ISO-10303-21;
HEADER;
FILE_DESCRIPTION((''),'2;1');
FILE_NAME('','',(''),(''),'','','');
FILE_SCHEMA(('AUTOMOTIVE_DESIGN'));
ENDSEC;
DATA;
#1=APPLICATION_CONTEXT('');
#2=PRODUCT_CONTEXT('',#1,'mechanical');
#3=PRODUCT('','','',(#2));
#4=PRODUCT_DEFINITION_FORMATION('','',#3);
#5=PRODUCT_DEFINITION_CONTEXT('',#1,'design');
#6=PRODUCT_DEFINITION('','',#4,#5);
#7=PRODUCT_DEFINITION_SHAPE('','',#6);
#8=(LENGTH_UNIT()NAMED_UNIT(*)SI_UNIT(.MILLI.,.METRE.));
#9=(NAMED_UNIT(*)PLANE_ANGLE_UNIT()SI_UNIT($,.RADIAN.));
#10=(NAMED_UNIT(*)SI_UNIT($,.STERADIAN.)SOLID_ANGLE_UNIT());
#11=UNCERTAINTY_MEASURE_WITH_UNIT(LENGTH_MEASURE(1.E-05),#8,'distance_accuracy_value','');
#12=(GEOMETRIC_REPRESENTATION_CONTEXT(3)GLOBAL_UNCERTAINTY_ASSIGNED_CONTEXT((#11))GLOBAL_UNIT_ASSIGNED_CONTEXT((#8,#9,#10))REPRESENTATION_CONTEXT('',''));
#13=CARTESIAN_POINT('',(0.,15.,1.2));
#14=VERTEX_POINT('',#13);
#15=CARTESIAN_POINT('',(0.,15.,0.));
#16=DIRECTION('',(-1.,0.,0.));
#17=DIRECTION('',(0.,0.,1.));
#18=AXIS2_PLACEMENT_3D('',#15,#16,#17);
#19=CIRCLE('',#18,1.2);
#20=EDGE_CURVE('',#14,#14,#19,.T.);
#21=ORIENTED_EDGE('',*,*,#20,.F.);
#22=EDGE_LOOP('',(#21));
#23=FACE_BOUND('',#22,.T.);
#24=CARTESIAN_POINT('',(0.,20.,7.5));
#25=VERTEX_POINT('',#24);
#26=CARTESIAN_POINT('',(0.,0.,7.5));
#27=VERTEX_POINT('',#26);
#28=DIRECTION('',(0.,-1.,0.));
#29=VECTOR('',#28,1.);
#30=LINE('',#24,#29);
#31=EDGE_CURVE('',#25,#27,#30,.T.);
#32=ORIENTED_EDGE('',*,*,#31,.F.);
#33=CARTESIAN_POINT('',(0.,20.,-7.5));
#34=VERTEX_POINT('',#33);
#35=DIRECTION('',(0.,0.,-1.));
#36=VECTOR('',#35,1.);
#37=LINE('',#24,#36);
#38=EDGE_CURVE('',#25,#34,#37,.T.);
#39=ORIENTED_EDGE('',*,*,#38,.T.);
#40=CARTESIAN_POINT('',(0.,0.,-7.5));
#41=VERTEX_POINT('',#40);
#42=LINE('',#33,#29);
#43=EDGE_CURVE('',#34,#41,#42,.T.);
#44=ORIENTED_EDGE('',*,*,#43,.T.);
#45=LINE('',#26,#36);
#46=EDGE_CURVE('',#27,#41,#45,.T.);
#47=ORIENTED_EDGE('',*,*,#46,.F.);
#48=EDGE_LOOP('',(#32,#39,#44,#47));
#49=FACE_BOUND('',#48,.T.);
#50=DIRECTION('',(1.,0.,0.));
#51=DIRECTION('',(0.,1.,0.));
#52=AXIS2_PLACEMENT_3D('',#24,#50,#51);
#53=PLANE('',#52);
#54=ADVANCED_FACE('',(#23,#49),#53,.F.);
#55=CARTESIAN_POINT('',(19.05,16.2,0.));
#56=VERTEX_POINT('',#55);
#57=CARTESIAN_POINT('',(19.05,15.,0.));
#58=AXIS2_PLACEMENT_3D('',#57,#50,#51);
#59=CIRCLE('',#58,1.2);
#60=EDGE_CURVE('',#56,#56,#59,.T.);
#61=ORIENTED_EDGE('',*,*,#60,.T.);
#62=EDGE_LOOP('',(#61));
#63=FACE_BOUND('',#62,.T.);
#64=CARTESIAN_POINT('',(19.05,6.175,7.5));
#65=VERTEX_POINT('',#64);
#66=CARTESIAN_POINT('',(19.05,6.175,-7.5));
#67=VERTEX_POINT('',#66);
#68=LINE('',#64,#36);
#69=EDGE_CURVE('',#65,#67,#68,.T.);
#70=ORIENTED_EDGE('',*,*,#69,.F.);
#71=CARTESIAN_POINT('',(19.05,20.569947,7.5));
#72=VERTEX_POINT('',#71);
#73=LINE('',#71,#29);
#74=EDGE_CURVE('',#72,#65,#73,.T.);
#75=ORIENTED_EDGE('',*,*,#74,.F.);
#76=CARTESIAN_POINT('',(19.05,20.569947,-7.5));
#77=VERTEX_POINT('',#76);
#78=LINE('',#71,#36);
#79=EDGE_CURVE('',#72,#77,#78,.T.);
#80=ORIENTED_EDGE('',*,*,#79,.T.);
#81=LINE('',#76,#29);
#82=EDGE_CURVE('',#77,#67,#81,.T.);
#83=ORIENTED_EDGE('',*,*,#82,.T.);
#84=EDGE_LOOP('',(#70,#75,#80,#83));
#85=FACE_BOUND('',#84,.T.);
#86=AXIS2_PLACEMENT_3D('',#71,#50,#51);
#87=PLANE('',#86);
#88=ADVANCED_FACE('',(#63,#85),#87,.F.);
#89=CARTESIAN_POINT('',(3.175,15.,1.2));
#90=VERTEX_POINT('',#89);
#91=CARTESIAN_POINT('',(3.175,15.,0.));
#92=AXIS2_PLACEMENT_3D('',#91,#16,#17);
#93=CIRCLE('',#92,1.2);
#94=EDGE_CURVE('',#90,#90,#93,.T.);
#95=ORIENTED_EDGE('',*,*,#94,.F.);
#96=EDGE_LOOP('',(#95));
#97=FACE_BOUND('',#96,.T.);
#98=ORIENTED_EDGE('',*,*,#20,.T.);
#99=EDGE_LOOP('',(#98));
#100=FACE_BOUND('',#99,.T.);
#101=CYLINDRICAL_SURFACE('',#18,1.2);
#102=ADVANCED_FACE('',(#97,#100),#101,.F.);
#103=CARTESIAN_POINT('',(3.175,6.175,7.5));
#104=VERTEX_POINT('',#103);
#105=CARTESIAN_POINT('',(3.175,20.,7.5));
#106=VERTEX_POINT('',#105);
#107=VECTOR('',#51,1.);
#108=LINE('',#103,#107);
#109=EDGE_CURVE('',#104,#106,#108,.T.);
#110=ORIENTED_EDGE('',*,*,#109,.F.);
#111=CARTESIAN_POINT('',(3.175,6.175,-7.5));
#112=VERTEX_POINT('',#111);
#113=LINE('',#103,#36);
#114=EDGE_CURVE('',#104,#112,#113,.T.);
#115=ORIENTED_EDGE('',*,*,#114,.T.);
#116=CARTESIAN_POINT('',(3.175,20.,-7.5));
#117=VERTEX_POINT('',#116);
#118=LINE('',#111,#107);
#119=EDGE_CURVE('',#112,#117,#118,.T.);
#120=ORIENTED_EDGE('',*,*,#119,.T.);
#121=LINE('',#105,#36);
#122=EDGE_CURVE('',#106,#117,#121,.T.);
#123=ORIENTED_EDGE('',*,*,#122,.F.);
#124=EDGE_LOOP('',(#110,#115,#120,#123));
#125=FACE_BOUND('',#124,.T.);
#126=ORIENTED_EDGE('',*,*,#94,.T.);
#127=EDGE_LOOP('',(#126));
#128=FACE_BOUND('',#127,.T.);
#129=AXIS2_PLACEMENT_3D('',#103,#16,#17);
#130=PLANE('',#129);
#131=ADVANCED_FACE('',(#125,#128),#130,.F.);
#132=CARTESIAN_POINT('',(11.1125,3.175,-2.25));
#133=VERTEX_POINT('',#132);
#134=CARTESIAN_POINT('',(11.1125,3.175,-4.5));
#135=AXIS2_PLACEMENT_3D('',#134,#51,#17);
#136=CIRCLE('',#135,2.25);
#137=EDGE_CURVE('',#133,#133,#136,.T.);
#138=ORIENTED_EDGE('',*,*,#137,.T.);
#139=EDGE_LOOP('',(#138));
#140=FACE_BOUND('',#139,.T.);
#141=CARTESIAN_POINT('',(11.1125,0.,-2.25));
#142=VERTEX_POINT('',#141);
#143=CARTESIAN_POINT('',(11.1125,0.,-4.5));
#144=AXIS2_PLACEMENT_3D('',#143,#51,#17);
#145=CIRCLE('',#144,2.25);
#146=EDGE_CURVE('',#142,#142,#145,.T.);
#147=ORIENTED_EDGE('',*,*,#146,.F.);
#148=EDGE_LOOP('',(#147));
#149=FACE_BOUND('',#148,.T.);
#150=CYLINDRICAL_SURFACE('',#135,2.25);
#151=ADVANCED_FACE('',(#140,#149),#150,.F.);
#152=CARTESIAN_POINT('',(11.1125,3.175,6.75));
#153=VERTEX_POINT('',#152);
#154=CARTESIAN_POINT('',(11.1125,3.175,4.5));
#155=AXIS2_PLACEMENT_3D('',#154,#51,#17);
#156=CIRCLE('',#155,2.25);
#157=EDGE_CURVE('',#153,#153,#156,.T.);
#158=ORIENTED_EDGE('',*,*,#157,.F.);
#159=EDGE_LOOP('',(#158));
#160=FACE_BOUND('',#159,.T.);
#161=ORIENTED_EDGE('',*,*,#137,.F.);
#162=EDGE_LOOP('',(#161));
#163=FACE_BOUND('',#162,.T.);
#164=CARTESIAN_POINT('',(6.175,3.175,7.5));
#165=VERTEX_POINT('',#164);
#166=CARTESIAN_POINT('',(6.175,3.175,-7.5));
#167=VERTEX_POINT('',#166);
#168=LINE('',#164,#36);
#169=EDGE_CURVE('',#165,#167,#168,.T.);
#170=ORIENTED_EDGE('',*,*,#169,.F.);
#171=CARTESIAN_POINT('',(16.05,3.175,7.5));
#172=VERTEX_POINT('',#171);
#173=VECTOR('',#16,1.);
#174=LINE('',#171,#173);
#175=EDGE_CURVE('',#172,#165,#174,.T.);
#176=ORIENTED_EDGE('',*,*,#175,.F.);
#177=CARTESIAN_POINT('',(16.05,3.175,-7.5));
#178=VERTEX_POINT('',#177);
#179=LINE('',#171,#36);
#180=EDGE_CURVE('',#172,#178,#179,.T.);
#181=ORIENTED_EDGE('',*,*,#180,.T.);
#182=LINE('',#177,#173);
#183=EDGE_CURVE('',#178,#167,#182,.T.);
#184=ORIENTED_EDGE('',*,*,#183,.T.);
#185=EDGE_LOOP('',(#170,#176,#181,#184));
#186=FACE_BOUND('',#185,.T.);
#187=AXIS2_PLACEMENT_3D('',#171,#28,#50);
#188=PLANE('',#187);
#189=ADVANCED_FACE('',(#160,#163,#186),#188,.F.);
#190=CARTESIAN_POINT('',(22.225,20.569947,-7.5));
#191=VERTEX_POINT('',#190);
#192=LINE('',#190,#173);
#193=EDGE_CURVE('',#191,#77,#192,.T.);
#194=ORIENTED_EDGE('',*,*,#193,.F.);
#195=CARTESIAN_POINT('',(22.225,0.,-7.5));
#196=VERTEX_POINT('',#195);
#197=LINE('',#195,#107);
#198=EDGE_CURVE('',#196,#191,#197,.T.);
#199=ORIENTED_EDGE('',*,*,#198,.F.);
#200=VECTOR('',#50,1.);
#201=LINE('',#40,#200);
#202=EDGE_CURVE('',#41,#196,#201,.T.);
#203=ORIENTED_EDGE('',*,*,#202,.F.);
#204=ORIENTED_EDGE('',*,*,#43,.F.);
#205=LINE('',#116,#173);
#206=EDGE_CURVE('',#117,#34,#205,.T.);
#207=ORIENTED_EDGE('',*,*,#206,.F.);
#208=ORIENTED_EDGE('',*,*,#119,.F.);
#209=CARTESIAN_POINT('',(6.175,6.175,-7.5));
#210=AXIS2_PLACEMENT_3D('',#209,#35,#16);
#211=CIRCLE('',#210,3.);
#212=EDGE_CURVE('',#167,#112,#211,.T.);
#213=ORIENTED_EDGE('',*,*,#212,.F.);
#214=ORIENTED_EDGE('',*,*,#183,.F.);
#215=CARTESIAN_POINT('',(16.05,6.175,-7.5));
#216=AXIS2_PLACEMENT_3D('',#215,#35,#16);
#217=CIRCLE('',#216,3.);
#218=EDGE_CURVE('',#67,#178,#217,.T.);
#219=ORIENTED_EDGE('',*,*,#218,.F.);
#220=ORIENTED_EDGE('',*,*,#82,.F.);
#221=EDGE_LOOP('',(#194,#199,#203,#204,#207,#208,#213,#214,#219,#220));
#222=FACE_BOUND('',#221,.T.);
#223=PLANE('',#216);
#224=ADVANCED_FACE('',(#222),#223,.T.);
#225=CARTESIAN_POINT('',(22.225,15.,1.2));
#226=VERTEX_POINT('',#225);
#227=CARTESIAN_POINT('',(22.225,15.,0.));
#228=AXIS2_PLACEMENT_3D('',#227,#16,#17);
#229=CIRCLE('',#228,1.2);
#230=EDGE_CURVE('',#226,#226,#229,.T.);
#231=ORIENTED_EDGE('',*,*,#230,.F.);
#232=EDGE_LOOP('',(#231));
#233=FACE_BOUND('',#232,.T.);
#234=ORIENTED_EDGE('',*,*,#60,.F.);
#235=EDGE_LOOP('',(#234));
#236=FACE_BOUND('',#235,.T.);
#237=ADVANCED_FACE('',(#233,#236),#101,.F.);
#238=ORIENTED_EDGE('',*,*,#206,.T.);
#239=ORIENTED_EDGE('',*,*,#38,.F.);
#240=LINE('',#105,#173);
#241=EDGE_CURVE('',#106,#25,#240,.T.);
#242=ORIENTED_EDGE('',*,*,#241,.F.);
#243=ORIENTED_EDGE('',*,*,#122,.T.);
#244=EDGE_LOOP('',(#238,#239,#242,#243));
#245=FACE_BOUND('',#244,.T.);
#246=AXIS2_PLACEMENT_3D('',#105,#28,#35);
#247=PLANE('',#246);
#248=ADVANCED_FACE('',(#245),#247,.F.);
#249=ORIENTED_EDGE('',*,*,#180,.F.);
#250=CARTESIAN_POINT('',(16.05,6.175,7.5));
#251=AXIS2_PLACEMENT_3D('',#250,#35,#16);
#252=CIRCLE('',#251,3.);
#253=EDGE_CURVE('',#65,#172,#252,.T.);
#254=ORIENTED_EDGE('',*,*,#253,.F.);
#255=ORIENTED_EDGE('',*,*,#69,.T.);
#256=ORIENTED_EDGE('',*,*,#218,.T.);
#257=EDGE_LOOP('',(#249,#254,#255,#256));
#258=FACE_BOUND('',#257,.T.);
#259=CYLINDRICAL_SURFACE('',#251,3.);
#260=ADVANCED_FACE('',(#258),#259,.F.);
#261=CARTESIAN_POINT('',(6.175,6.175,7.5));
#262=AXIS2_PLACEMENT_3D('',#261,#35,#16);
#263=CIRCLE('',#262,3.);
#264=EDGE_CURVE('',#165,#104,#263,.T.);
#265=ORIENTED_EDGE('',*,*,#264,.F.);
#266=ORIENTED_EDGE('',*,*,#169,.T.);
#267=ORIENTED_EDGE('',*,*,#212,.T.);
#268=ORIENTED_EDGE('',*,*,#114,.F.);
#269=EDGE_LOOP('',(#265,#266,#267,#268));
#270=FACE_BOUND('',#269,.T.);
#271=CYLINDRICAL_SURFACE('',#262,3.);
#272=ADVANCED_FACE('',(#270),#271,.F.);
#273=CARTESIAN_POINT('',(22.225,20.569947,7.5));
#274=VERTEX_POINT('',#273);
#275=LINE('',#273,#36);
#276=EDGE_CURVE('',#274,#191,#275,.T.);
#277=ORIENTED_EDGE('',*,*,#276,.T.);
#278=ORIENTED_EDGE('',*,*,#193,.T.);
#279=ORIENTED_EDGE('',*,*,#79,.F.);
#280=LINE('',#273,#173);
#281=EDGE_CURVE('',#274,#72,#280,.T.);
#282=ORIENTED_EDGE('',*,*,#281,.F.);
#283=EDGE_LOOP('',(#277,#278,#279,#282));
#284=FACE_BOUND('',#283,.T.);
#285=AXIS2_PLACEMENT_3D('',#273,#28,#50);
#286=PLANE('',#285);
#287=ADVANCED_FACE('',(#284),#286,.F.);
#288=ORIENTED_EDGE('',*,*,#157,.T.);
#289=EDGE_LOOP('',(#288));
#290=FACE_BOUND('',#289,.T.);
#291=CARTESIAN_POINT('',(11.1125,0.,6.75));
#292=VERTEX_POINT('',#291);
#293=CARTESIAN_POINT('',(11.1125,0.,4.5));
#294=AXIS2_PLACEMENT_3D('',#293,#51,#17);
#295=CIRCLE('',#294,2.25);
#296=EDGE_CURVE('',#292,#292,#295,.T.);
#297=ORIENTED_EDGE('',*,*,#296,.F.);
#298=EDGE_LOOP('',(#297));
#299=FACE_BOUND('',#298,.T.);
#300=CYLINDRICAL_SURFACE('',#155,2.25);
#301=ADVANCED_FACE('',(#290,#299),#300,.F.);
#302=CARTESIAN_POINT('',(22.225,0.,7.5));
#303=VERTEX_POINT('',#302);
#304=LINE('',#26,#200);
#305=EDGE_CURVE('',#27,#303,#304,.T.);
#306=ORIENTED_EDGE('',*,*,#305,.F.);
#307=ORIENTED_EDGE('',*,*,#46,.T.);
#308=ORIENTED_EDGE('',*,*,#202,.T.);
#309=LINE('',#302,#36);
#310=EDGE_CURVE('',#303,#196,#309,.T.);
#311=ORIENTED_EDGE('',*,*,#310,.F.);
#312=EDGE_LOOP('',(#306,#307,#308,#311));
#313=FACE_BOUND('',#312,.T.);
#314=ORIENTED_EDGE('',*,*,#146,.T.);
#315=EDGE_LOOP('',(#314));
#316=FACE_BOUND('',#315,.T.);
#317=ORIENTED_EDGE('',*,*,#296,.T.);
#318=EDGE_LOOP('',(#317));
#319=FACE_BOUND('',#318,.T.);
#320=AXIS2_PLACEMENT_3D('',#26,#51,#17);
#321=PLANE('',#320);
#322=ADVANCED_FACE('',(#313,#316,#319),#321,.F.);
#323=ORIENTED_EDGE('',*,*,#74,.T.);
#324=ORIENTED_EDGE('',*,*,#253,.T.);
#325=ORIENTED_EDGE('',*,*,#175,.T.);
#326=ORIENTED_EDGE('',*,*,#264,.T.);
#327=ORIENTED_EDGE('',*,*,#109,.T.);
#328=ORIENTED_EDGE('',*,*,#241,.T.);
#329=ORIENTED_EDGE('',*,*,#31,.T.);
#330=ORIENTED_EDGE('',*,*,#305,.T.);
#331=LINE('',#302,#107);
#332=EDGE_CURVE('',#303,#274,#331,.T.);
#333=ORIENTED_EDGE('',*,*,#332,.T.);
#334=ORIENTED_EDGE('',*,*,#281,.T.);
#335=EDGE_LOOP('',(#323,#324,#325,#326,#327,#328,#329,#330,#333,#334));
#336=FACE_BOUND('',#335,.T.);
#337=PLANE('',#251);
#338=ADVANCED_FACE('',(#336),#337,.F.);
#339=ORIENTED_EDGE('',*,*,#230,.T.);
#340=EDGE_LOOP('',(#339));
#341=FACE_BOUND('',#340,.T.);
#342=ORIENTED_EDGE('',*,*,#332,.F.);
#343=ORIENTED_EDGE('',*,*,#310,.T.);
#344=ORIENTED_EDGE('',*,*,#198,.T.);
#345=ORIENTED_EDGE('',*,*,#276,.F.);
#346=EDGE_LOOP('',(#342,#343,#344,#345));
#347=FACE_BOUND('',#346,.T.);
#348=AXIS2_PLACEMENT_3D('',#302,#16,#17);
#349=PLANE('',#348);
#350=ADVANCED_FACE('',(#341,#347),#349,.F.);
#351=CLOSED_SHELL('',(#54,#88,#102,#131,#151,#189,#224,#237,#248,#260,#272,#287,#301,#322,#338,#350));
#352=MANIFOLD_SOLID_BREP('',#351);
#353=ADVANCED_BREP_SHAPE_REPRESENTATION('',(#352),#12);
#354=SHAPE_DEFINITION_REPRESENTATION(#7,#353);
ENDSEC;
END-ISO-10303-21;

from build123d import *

# Parameters (mm, degrees)
BOSS_EXTRUDE1_DEPTH  = 7.5
M4_CLEARANCE_HOLE1_D = 4.5
M2_CLEARANCE_HOLE1_D = 2.4


with BuildPart() as part:
    # Sketch1 → Boss-Extrude1 (new body, symmetric)
    with BuildSketch(Plane.XY):
        with BuildLine():
            Line((0, 0), (22.225, 0))
            Line((22.225, 0), (22.225, 20.569946809))
            Line((22.225, 20.569946809), (19.05, 20.569946809))
            Line((19.05, 20.569946809), (19.05, 6.175))
            ThreePointArc((19.05, 6.175), (18.171320344, 4.053679656), (16.05, 3.175))
            Line((16.05, 3.175), (6.175, 3.175))
            ThreePointArc((6.175, 3.175), (4.053679656, 4.053679656), (3.175, 6.175))
            Line((3.175, 6.175), (3.175, 20))
            Line((3.175, 20), (0, 20))
            Line((0, 20), (0, 0))
        make_face()
    extrude(amount=BOSS_EXTRUDE1_DEPTH, both=True)

    # M4 Clearance Hole1 (through all)
    with Locations(Plane(origin=(0, 3.175, 0), x_dir=(1, 0, 0), z_dir=(0, 1, 0))):
        with Locations((11.1125, -4.5), (11.1125, 4.5)):
            Hole(M4_CLEARANCE_HOLE1_D / 2)

    # M2 Clearance Hole1 (through all)
    with Locations(Plane.ZY):
        with Locations((0, 15)):
            Hole(M2_CLEARANCE_HOLE1_D / 2)


solid = part.part
